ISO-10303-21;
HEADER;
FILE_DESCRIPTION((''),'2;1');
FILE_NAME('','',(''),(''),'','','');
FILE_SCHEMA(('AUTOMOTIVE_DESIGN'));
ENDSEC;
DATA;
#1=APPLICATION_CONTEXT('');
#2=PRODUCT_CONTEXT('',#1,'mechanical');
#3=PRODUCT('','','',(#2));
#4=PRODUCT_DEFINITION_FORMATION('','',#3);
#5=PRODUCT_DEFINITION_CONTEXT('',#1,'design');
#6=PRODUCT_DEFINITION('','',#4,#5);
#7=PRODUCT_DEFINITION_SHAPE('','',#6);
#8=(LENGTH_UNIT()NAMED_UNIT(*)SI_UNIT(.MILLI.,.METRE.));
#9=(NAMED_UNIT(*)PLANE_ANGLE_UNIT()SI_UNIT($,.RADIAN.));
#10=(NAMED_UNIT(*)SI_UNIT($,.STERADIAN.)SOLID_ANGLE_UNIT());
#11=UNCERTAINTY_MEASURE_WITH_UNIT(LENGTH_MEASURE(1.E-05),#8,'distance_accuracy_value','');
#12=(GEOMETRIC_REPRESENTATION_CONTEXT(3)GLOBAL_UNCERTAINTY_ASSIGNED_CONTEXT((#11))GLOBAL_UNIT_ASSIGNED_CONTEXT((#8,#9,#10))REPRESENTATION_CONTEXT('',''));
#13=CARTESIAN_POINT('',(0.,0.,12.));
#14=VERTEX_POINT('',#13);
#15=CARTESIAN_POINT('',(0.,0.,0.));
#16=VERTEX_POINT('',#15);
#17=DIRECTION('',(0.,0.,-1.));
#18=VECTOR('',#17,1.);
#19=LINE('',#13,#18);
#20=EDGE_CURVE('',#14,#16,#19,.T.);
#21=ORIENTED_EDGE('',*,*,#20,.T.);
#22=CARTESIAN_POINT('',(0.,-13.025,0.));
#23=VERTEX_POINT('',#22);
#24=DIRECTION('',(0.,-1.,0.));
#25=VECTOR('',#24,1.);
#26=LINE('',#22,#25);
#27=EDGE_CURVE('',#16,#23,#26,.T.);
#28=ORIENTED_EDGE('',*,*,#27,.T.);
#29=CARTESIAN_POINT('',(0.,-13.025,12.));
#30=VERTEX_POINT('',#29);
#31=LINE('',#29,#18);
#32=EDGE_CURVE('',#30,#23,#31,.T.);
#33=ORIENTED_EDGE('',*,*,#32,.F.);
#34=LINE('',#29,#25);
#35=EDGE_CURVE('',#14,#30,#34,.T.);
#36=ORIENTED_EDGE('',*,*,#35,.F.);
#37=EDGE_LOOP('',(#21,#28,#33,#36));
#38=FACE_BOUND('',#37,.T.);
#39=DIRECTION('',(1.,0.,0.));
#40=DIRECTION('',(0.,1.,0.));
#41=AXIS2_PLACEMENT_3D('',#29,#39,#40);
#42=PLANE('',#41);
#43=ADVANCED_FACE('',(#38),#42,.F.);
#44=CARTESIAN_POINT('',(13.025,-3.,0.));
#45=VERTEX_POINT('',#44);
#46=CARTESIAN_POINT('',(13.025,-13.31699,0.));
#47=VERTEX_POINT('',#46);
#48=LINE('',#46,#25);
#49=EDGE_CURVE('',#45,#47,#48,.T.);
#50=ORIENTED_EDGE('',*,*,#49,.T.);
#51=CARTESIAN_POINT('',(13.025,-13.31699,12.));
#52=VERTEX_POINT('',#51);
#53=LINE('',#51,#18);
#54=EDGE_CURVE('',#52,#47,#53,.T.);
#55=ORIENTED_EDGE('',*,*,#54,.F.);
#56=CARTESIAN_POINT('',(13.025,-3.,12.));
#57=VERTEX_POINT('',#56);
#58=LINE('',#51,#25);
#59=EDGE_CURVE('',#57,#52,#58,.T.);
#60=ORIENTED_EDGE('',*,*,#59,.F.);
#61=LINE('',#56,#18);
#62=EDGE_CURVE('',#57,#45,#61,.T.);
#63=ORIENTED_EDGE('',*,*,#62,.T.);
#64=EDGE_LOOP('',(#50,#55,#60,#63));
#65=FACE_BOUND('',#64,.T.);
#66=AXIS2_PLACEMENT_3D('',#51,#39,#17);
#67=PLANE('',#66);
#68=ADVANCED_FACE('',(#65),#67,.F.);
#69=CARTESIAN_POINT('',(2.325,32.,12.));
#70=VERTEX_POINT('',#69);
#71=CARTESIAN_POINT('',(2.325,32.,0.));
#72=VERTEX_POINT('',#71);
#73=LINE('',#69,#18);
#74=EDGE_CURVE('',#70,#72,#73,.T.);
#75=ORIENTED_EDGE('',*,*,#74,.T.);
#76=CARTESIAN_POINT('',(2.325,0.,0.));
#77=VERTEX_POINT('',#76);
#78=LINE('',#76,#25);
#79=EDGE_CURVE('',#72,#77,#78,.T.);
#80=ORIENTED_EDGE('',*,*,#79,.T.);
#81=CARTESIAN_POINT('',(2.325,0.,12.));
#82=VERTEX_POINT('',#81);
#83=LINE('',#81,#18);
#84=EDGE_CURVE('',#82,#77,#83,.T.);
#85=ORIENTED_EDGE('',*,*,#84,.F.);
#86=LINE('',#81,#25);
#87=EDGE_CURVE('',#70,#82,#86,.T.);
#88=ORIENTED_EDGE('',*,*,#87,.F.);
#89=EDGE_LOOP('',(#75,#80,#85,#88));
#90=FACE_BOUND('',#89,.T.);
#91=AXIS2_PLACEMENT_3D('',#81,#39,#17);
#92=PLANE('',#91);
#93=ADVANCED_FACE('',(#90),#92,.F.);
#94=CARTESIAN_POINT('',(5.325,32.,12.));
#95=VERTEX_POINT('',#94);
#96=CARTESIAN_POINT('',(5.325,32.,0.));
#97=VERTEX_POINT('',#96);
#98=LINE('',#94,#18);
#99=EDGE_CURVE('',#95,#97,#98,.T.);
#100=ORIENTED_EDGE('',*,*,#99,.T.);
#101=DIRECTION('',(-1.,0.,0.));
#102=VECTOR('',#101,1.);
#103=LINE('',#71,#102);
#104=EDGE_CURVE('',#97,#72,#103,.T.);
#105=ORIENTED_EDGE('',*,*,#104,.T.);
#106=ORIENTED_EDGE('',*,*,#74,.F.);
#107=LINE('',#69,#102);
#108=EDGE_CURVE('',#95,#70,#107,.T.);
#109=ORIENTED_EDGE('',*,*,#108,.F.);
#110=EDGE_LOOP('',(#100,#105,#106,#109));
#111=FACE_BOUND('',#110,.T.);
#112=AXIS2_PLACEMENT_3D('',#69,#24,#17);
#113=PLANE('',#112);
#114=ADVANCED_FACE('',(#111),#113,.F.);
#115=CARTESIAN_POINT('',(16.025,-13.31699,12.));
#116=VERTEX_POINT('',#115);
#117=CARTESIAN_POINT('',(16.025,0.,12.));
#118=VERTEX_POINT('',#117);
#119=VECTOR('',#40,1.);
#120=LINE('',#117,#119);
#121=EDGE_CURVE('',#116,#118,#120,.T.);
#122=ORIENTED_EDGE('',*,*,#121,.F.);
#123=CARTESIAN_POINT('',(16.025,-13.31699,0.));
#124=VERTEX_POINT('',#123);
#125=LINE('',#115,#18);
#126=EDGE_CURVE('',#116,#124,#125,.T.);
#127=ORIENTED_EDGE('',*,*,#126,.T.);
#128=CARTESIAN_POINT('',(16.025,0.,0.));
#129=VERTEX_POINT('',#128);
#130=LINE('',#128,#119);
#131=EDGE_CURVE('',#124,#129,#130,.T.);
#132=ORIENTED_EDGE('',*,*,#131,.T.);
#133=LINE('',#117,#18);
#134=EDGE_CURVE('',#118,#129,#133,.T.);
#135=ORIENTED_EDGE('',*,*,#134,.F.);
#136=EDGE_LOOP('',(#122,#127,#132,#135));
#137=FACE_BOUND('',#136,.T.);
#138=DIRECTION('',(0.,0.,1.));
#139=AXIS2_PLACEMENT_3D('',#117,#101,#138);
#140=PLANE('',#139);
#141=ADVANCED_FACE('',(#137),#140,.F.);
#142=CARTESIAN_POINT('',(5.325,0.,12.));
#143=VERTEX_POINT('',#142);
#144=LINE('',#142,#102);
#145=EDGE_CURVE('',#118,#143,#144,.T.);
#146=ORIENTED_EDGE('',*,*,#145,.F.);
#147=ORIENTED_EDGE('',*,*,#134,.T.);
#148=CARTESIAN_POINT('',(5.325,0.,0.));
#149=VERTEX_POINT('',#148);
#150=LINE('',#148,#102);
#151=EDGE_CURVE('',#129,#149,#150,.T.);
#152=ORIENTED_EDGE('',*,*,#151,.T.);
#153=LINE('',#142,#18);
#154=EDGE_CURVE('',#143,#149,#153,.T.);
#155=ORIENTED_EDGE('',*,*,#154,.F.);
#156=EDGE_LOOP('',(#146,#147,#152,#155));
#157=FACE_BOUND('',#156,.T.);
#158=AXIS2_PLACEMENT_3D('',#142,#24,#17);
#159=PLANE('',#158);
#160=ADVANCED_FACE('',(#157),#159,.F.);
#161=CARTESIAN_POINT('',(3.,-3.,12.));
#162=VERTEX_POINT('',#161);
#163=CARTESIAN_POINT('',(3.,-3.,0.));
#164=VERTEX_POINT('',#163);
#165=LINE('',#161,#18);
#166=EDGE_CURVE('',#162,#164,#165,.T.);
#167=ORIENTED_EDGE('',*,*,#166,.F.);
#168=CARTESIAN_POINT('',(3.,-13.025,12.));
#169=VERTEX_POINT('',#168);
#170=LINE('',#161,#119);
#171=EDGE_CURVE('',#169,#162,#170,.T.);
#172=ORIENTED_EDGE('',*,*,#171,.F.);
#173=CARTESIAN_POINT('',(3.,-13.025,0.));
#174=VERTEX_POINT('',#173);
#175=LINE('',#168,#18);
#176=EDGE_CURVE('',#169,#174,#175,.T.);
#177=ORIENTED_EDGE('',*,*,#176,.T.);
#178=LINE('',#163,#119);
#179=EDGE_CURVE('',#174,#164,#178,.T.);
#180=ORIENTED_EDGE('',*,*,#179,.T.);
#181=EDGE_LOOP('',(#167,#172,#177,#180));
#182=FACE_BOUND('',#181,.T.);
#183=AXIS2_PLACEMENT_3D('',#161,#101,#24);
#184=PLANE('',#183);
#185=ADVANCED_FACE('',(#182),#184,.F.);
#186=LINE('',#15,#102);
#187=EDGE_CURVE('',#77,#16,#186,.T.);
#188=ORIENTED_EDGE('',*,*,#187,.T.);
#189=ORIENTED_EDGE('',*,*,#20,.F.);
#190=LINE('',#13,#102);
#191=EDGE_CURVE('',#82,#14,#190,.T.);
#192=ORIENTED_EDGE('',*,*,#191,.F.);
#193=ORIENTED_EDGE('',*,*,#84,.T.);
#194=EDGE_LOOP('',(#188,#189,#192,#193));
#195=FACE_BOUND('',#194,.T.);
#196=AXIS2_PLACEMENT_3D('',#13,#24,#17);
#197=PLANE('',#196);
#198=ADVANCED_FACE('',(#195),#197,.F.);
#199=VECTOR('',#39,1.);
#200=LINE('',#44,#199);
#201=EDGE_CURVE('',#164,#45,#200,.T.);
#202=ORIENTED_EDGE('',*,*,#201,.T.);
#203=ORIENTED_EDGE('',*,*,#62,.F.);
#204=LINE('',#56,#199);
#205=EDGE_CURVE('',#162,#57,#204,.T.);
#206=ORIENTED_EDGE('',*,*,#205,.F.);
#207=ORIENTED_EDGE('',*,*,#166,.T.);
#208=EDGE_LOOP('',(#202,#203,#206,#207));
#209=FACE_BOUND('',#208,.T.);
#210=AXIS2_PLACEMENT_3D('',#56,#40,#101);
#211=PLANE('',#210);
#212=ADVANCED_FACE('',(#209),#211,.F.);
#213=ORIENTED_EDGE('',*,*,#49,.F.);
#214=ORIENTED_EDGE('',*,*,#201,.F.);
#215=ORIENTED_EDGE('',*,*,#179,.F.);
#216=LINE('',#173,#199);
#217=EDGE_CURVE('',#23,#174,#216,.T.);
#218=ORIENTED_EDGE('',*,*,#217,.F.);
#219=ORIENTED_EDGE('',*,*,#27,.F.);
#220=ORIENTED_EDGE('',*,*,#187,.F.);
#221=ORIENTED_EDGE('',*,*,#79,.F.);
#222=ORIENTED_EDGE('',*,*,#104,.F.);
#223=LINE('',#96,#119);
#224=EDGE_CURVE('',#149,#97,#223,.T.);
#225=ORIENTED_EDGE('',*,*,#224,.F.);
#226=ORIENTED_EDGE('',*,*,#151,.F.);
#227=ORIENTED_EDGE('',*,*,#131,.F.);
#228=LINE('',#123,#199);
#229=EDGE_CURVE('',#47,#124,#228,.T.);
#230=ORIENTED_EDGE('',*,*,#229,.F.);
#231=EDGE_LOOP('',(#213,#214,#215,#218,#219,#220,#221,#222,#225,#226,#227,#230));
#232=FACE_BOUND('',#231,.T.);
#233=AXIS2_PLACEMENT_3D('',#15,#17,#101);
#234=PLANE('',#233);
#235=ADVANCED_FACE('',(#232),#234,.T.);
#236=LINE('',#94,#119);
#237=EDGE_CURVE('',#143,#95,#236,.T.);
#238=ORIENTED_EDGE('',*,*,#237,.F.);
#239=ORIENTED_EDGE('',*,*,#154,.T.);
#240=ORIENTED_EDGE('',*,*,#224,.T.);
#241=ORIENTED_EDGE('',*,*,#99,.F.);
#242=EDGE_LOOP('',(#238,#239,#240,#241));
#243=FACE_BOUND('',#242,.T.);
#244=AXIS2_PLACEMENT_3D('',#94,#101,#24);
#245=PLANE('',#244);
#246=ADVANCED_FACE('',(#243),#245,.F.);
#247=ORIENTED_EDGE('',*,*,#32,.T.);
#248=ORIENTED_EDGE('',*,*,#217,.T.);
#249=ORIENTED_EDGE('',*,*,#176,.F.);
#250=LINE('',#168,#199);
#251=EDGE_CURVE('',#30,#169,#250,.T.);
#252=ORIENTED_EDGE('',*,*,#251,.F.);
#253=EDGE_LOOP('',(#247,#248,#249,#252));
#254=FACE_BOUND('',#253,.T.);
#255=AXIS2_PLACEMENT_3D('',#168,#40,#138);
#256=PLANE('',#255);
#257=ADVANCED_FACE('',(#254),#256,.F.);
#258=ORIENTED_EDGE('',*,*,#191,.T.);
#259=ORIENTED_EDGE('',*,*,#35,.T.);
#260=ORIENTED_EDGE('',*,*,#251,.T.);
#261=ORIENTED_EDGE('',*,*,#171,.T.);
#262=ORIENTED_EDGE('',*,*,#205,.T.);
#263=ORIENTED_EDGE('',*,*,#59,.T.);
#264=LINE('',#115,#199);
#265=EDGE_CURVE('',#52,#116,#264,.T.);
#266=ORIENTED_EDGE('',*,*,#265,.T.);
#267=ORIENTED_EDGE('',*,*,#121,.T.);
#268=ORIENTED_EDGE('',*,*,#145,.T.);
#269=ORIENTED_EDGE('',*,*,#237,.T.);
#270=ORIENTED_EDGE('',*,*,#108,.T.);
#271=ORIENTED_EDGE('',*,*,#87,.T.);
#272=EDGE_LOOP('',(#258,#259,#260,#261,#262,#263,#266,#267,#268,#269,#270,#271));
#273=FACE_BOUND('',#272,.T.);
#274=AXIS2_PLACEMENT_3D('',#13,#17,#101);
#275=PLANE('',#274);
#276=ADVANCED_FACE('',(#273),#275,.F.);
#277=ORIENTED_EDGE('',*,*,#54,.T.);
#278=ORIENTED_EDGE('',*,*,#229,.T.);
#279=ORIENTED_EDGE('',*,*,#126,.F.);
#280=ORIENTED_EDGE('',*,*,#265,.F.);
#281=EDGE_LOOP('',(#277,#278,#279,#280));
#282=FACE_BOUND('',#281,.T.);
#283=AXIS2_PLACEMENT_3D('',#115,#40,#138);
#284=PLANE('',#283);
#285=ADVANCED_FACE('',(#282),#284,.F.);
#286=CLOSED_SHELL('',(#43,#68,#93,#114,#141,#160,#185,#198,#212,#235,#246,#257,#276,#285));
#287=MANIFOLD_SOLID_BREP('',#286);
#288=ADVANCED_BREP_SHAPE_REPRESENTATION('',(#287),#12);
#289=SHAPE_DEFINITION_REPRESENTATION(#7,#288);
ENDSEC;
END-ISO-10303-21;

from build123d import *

# Parameters (mm, degrees)
BOSS_EXTRUDE1_DEPTH = 12


with BuildPart() as part:
    # Sketch1 → Boss-Extrude1 (new body)
    with BuildSketch(Plane.XY):
        Polygon((0, -13.025), (0, 0), (2.325, 0), (2.325, 32), (5.325, 32), (5.325, 0), (16.025, 0), (16.025, -13.316990291), (13.025, -13.316990291), (13.025, -3), (3, -3), (3, -13.025), align=None)
    extrude(amount=BOSS_EXTRUDE1_DEPTH)


solid = part.part
